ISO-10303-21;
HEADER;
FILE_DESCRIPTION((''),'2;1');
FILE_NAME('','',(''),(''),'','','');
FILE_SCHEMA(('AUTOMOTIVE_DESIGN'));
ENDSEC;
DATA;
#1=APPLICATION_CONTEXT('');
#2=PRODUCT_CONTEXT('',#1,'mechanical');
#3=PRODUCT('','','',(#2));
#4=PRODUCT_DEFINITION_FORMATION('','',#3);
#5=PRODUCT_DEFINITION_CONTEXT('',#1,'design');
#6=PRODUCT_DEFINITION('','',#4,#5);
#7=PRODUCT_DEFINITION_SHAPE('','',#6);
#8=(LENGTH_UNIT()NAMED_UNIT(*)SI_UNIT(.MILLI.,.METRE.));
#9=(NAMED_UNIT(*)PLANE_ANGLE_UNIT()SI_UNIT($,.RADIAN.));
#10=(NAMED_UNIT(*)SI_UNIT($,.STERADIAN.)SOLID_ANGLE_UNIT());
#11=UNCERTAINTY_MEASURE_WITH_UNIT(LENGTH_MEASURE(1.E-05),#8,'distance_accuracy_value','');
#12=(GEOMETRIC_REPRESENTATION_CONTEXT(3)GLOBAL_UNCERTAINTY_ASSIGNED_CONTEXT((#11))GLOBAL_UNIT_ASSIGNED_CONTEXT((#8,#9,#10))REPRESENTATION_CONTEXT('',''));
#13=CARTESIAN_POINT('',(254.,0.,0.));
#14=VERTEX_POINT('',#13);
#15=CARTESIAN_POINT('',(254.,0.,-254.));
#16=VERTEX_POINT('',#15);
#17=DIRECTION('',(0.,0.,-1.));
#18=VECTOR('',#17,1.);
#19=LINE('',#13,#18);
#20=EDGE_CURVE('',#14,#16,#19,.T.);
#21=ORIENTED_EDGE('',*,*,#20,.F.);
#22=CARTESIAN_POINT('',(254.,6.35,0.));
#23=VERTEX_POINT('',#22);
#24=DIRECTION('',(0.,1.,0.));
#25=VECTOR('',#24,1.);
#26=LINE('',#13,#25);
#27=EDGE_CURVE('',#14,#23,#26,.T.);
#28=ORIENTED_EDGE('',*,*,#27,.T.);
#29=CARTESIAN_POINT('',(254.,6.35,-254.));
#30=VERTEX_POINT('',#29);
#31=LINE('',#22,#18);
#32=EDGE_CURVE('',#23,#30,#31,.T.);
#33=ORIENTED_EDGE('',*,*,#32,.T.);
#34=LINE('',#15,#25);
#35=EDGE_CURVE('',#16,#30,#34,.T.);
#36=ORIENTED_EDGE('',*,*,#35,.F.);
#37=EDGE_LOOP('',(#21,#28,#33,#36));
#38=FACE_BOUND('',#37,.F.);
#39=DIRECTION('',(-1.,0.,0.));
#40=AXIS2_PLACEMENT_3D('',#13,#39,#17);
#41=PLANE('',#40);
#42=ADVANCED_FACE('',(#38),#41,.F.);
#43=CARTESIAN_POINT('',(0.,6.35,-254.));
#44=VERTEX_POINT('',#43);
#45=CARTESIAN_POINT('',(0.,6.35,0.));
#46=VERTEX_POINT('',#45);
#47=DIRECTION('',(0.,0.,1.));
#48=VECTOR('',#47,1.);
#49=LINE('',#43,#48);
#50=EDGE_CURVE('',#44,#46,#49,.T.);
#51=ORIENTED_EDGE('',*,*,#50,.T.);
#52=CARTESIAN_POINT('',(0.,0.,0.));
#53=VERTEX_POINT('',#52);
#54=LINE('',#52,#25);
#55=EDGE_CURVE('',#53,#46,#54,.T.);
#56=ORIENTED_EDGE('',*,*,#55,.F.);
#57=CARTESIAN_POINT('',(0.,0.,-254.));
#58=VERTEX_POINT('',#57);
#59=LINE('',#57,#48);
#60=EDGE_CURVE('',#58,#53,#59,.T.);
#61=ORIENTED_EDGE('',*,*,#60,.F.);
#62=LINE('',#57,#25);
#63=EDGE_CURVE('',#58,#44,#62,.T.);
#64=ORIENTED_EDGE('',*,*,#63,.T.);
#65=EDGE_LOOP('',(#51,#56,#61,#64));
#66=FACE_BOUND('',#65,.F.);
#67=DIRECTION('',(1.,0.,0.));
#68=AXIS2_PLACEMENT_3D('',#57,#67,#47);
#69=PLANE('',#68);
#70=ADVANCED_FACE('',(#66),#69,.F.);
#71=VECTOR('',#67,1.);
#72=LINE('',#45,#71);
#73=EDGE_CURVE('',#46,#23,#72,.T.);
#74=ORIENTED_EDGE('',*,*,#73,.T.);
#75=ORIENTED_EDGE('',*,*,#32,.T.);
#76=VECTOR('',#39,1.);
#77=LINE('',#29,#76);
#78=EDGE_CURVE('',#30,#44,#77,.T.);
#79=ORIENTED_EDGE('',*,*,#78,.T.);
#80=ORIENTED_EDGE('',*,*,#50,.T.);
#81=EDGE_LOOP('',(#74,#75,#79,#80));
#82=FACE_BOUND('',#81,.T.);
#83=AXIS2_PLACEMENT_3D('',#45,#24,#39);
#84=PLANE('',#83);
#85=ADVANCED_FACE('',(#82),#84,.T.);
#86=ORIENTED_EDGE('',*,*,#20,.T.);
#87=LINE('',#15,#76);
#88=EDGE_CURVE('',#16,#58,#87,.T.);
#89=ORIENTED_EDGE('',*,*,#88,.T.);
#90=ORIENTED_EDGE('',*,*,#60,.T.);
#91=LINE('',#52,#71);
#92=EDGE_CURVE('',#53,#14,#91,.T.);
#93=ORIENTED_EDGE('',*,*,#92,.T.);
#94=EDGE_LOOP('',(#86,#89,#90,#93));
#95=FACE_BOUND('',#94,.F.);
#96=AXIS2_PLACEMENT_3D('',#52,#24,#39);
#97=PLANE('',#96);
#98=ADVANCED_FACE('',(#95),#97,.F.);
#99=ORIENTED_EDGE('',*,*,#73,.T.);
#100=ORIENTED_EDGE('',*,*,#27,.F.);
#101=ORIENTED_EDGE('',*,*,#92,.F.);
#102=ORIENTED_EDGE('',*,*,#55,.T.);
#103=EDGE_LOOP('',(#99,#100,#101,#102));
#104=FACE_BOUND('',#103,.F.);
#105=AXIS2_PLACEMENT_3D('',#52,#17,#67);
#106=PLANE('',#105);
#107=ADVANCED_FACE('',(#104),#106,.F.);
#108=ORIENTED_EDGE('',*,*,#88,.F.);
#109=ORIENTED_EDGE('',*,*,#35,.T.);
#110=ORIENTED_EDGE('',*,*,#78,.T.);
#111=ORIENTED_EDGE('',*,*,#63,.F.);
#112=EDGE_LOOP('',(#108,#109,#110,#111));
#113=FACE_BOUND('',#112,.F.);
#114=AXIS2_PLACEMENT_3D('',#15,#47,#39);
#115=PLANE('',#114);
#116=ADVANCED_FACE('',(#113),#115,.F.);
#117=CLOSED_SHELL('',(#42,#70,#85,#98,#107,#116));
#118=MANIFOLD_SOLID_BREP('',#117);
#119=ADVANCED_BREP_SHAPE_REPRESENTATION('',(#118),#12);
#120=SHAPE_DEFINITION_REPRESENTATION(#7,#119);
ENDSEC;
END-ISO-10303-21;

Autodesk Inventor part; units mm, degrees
ref_plane "YZ Plane" through (0, 0, 0) normal (1, 0, 0) x (0, 1, 0)
ref_plane "XZ Plane" through (0, 0, 0) normal (0, 1, 0) x (-1, 0, 0)
ref_plane "XY Plane" through (0, 0, 0) normal (0, 0, 1) x (1, 0, 0)
sketch "Sketch1" plane through (0, 0, 0) normal (0, 1, 0) x (-1, 0, 0)
  line L0 (0, 0) -> (-254, 0)
  line L1 (-254, 0) -> (-254, -254)
  line L2 (-254, -254) -> (0, -254)
  line L3 (0, -254) -> (0, 0)
  dimension "d0" = 254
  dimension "d1" = 254
extrude "Extrusion1" add sketch "Sketch1" along normal blind 6.35
properties part number "Base Sheet"
